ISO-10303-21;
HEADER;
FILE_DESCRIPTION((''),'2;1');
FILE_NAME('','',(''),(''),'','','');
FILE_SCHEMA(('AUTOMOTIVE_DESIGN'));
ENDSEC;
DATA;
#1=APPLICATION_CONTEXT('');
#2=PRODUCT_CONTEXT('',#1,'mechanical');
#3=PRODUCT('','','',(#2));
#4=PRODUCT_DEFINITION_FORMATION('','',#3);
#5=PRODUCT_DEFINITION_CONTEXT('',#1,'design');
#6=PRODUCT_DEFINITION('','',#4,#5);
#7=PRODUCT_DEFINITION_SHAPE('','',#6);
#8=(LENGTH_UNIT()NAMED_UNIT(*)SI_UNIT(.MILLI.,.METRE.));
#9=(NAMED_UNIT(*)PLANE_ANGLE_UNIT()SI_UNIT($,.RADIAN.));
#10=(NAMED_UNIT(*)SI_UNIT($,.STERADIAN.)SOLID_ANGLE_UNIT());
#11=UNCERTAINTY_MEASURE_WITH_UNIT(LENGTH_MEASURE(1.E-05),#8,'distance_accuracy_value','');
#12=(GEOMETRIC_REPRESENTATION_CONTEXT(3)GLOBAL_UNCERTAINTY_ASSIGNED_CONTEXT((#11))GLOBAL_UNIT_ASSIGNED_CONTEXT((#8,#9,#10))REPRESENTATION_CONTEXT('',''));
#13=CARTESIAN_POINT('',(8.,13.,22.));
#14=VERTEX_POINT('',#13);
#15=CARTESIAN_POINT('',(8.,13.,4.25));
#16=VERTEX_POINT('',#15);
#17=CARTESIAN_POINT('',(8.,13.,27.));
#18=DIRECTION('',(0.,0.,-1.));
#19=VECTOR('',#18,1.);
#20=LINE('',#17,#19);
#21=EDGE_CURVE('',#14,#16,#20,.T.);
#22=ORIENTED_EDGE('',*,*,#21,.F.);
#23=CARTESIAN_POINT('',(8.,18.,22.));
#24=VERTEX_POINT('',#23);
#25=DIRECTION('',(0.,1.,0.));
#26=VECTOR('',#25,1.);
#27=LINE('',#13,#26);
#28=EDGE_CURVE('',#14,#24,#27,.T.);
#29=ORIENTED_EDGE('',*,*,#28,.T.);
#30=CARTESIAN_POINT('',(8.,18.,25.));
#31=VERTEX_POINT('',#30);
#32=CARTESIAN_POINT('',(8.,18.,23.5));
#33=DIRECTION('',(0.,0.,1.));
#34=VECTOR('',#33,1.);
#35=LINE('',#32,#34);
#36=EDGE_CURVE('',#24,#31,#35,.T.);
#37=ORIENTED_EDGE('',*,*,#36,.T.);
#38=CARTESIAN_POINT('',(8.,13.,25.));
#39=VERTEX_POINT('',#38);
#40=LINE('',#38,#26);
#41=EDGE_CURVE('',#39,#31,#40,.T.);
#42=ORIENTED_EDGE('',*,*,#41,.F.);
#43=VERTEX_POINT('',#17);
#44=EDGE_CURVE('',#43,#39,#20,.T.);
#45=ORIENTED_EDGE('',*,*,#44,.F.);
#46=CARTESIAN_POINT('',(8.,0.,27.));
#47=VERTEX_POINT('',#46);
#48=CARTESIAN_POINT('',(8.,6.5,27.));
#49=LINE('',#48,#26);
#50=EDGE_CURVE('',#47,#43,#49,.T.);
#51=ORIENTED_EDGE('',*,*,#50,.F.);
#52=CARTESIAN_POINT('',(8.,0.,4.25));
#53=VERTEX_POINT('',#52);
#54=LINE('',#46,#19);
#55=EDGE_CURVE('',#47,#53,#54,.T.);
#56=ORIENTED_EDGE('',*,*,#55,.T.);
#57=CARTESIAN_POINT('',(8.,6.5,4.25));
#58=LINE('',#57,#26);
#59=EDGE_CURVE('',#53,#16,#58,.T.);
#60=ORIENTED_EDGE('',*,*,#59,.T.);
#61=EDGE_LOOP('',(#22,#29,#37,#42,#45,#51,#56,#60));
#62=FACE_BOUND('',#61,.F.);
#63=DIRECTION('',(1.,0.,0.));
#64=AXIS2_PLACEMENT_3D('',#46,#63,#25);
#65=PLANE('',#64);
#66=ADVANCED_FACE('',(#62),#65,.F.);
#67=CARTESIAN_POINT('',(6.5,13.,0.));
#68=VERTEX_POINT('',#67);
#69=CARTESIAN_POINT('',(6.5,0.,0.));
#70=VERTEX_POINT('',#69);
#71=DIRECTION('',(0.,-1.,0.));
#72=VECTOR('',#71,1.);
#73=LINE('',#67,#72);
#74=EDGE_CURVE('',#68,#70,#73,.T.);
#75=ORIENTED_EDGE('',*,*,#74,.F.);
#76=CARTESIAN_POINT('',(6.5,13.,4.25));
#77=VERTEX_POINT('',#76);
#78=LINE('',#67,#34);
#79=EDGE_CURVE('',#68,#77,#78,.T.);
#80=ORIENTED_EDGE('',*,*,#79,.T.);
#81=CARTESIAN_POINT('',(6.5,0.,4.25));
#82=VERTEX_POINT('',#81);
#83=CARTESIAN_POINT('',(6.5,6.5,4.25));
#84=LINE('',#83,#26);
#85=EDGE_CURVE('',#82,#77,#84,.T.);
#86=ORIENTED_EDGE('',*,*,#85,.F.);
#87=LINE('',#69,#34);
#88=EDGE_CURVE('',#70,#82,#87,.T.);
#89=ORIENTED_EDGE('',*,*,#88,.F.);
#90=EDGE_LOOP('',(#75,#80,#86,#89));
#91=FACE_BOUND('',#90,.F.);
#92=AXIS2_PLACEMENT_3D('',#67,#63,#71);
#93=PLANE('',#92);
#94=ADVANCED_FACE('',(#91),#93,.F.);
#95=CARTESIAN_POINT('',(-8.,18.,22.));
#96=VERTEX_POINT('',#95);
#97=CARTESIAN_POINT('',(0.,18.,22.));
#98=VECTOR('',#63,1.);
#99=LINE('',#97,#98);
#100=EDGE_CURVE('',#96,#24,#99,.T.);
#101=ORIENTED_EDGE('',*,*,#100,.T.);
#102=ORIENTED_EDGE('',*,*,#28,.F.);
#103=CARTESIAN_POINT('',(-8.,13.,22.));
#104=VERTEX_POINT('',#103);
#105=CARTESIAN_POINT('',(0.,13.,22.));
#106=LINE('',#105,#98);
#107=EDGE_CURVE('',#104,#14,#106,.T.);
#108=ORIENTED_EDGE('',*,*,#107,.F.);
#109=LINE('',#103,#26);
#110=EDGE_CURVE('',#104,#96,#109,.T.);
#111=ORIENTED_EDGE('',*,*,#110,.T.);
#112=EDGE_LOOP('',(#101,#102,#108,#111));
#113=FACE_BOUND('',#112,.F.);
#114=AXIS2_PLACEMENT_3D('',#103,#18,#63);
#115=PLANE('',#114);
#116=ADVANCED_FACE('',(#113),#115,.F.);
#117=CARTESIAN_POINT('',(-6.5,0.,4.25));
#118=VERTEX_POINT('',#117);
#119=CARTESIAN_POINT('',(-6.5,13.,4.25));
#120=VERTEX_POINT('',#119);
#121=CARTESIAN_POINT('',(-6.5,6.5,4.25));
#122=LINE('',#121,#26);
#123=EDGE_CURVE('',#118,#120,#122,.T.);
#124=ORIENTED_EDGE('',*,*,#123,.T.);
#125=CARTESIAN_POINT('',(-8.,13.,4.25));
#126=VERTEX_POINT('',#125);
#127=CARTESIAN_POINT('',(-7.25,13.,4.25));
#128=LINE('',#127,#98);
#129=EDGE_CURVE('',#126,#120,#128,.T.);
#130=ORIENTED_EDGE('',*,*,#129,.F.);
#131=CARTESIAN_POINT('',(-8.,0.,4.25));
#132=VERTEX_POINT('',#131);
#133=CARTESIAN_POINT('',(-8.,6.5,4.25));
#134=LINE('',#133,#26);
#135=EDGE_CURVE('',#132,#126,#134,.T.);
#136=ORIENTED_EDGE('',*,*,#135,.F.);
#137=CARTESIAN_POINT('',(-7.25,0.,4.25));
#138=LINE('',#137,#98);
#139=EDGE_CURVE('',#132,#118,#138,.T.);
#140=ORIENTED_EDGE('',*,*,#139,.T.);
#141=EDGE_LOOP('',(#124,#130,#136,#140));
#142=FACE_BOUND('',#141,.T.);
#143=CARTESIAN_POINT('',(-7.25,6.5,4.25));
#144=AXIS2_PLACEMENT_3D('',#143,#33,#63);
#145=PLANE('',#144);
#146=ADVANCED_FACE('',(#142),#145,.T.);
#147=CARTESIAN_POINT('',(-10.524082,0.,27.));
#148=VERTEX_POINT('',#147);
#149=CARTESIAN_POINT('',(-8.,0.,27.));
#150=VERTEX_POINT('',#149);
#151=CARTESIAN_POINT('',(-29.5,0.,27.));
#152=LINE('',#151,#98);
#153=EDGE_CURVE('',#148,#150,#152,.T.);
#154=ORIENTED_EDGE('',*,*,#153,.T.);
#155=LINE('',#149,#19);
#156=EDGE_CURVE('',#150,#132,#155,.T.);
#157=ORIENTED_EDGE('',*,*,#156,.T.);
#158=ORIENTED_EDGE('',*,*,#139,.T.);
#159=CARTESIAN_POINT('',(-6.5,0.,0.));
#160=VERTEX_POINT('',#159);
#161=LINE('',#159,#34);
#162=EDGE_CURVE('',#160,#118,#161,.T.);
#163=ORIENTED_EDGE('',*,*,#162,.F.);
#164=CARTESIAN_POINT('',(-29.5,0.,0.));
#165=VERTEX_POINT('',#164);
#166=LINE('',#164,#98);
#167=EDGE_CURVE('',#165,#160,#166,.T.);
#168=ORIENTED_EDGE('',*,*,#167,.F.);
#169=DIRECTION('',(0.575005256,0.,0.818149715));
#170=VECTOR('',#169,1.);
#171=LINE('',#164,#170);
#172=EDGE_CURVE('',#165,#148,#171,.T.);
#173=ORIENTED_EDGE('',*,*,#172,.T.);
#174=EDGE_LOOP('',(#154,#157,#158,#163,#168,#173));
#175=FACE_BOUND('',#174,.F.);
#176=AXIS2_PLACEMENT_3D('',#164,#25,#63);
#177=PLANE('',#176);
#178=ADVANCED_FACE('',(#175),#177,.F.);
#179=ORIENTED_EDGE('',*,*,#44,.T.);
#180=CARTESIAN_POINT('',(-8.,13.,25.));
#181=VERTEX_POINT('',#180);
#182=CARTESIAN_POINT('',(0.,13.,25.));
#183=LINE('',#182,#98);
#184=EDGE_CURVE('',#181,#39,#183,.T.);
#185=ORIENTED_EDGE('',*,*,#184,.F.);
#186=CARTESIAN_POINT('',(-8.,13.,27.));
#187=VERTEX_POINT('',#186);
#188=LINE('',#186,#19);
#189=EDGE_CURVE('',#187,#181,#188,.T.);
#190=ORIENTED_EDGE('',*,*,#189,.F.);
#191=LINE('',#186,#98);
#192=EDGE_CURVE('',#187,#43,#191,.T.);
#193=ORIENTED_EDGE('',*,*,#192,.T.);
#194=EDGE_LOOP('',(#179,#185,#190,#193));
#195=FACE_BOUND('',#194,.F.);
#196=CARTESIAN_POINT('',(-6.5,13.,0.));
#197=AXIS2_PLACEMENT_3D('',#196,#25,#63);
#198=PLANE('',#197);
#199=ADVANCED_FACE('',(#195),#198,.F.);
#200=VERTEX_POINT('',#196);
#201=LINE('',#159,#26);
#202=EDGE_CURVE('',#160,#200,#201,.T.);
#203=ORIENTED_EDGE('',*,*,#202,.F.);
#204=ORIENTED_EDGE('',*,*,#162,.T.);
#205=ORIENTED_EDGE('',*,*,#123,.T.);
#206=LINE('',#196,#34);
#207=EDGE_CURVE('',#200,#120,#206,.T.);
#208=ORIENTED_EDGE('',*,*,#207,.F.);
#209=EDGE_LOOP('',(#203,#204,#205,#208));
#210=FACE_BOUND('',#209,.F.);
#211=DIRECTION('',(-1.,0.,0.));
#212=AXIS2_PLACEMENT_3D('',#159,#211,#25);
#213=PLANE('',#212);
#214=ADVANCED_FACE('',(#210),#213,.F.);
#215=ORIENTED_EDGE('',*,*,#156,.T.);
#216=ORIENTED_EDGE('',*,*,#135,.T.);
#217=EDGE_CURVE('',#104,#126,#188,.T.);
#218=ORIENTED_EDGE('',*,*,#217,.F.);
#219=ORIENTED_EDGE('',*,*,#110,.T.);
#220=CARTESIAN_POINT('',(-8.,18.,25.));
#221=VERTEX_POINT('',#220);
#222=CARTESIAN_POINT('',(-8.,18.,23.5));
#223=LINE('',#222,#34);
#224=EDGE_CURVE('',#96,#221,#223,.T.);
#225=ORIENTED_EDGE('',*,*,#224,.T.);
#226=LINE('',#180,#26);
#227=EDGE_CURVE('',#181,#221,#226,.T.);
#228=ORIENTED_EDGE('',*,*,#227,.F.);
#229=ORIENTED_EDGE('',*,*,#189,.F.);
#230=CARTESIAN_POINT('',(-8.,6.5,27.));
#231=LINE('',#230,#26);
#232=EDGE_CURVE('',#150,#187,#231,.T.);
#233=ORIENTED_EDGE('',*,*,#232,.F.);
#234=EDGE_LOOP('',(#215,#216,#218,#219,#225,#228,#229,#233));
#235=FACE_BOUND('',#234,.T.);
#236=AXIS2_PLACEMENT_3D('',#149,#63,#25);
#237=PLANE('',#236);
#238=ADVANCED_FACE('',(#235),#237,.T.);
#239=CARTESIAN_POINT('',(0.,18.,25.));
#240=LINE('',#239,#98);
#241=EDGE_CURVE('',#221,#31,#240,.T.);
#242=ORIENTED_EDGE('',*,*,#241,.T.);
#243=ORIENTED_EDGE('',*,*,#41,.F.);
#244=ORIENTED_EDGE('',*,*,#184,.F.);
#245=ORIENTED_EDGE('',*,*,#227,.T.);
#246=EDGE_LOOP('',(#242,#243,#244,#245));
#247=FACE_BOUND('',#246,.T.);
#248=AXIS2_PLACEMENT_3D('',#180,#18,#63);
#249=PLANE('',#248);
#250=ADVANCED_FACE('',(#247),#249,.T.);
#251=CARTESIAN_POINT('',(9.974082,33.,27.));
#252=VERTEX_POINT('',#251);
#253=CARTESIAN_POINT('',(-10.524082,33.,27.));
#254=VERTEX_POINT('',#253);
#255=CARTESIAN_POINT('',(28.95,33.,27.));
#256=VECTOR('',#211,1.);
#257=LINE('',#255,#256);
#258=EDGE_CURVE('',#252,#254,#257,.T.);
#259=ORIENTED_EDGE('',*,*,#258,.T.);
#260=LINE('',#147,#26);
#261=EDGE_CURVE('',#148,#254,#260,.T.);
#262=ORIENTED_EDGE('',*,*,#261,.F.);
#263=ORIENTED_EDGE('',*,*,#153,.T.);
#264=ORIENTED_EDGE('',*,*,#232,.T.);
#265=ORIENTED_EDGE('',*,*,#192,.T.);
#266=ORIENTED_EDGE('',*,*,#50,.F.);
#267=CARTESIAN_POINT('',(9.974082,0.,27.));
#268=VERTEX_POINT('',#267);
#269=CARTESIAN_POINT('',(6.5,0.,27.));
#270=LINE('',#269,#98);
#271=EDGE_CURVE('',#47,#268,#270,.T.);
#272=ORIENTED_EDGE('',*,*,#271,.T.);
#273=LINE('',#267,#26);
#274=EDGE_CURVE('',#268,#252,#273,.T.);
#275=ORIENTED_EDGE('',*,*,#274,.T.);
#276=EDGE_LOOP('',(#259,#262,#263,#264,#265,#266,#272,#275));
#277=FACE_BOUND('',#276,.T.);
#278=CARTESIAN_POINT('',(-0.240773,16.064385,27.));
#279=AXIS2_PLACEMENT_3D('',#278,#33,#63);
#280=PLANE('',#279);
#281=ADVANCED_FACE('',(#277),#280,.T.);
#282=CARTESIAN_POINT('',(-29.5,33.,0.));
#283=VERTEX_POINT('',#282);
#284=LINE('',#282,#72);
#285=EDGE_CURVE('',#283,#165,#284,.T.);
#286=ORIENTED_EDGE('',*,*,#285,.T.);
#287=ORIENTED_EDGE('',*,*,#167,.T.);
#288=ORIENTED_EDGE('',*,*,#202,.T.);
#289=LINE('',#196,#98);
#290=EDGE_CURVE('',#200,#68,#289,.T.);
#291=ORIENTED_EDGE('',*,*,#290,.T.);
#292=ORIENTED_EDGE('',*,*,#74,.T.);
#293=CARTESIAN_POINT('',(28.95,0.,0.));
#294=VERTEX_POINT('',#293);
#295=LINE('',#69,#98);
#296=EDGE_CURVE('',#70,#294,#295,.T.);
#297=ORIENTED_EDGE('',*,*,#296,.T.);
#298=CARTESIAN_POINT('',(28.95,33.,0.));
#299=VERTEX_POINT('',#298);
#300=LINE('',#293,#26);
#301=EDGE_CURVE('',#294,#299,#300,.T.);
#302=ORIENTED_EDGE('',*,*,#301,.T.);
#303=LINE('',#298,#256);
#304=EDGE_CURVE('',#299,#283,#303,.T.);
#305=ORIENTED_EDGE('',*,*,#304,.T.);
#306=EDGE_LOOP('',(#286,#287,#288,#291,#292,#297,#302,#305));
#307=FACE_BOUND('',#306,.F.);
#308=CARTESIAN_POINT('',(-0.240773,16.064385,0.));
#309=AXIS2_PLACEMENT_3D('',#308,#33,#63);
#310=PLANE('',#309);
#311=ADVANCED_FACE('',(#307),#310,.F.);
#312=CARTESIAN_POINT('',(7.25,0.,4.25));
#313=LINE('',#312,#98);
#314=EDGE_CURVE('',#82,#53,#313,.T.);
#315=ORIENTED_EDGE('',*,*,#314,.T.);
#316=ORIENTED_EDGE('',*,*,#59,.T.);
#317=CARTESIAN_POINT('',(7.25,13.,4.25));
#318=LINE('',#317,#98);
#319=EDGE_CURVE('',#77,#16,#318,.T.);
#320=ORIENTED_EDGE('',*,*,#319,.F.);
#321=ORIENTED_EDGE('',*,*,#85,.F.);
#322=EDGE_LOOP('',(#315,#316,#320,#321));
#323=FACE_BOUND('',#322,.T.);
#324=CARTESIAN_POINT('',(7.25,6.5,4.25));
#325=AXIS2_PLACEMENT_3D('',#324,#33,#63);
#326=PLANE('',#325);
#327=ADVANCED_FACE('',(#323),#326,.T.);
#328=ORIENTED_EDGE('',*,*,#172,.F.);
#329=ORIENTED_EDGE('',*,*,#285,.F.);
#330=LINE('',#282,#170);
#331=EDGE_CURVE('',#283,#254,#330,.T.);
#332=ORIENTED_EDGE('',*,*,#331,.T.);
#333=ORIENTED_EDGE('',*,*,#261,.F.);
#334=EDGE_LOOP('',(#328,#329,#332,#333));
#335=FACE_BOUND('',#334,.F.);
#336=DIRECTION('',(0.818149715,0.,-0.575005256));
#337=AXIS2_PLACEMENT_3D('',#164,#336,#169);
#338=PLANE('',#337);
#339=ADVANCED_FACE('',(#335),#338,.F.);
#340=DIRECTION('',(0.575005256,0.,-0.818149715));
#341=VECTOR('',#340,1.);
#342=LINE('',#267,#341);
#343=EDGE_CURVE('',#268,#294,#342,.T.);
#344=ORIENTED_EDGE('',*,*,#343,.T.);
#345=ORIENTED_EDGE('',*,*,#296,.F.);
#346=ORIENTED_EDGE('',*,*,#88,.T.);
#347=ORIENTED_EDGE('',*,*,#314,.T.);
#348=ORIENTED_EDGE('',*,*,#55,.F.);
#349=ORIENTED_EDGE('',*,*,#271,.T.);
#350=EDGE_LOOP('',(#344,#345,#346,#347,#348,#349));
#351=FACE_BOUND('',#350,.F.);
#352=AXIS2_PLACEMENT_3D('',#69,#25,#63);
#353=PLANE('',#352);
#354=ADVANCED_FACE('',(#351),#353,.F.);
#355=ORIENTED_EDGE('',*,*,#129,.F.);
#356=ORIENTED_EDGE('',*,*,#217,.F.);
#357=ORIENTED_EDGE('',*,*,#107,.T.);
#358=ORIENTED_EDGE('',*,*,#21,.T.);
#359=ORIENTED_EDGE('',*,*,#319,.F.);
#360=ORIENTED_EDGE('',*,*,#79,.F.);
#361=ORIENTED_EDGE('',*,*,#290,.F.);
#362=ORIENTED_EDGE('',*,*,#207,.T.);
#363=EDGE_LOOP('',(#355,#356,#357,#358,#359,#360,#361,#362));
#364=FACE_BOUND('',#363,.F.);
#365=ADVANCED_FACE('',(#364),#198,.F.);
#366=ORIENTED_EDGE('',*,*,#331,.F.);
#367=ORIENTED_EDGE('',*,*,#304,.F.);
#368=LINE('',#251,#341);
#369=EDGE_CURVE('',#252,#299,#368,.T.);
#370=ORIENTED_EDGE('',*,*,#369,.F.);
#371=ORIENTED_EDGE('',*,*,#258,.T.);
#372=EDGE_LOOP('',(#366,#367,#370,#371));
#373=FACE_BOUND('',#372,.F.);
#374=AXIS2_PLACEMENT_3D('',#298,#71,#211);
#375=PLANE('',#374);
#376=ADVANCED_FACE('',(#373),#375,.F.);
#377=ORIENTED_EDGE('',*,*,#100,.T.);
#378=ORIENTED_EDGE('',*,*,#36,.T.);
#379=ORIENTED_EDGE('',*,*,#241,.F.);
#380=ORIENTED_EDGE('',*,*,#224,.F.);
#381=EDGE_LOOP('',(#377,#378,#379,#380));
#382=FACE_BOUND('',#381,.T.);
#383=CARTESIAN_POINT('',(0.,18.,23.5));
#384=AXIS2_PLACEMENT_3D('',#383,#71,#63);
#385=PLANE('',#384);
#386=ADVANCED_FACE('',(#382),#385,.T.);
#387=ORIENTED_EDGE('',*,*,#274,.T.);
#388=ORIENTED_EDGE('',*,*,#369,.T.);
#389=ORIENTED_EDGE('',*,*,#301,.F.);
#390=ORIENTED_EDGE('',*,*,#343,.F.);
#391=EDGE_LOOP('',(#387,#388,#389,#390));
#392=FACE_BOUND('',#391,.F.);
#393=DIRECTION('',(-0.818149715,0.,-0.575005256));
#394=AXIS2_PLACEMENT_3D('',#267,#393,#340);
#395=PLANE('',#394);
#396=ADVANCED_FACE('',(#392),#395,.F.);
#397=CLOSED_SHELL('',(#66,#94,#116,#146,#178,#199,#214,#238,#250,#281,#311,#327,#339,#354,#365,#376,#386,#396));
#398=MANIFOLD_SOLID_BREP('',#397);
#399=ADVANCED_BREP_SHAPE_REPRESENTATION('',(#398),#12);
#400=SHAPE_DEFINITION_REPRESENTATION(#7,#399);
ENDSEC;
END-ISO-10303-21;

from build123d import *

# Parameters (mm, degrees)
F1_DEPTH = 27
F3_DEPTH = 33
F4_W     = 1.5
F4_H     = 13
F5_DEPTH = 22.75
F6_W     = 16
F6_H     = 3
F7_DEPTH = 5


with BuildPart() as f1:
    # F0 (on Top) → F1 (new body)
    with BuildSketch(Plane.XY):
        Polygon((28.95, 33), (-29.5, 33), (-29.5, 0), (-6.5, 0), (-6.5, 13), (6.5, 13), (6.5, 0), (28.95, 0), align=None)
    extrude(amount=F1_DEPTH)

    # F2 (on face) → F3 (cut, through all)
    with BuildSketch(Plane.XZ):
        Polygon((28.95, 0), (28.95, 27), (9.974082, 27), align=None)
        Polygon((-29.5, 0), (-10.524082, 27), (-29.454212, 27), (-29.5, 27), align=None)
    extrude(amount=-F3_DEPTH, mode=Mode.SUBTRACT)

    # F4 (on face) → F5 (cut)
    with BuildSketch(Plane.XY.offset(27)):
        with Locations((-7.25, 6.5)):
            Rectangle(F4_W, F4_H)
        with Locations((7.25, 6.5)):
            Rectangle(F4_W, F4_H)
    extrude(amount=-F5_DEPTH, mode=Mode.SUBTRACT)

    # F6 (on face) → F7 (cut)
    with BuildSketch(Plane.XZ.offset(-13)):
        with Locations((0, 23.5)):
            Rectangle(F6_W, F6_H)
    extrude(amount=-F7_DEPTH, mode=Mode.SUBTRACT)


solid = f1.part
